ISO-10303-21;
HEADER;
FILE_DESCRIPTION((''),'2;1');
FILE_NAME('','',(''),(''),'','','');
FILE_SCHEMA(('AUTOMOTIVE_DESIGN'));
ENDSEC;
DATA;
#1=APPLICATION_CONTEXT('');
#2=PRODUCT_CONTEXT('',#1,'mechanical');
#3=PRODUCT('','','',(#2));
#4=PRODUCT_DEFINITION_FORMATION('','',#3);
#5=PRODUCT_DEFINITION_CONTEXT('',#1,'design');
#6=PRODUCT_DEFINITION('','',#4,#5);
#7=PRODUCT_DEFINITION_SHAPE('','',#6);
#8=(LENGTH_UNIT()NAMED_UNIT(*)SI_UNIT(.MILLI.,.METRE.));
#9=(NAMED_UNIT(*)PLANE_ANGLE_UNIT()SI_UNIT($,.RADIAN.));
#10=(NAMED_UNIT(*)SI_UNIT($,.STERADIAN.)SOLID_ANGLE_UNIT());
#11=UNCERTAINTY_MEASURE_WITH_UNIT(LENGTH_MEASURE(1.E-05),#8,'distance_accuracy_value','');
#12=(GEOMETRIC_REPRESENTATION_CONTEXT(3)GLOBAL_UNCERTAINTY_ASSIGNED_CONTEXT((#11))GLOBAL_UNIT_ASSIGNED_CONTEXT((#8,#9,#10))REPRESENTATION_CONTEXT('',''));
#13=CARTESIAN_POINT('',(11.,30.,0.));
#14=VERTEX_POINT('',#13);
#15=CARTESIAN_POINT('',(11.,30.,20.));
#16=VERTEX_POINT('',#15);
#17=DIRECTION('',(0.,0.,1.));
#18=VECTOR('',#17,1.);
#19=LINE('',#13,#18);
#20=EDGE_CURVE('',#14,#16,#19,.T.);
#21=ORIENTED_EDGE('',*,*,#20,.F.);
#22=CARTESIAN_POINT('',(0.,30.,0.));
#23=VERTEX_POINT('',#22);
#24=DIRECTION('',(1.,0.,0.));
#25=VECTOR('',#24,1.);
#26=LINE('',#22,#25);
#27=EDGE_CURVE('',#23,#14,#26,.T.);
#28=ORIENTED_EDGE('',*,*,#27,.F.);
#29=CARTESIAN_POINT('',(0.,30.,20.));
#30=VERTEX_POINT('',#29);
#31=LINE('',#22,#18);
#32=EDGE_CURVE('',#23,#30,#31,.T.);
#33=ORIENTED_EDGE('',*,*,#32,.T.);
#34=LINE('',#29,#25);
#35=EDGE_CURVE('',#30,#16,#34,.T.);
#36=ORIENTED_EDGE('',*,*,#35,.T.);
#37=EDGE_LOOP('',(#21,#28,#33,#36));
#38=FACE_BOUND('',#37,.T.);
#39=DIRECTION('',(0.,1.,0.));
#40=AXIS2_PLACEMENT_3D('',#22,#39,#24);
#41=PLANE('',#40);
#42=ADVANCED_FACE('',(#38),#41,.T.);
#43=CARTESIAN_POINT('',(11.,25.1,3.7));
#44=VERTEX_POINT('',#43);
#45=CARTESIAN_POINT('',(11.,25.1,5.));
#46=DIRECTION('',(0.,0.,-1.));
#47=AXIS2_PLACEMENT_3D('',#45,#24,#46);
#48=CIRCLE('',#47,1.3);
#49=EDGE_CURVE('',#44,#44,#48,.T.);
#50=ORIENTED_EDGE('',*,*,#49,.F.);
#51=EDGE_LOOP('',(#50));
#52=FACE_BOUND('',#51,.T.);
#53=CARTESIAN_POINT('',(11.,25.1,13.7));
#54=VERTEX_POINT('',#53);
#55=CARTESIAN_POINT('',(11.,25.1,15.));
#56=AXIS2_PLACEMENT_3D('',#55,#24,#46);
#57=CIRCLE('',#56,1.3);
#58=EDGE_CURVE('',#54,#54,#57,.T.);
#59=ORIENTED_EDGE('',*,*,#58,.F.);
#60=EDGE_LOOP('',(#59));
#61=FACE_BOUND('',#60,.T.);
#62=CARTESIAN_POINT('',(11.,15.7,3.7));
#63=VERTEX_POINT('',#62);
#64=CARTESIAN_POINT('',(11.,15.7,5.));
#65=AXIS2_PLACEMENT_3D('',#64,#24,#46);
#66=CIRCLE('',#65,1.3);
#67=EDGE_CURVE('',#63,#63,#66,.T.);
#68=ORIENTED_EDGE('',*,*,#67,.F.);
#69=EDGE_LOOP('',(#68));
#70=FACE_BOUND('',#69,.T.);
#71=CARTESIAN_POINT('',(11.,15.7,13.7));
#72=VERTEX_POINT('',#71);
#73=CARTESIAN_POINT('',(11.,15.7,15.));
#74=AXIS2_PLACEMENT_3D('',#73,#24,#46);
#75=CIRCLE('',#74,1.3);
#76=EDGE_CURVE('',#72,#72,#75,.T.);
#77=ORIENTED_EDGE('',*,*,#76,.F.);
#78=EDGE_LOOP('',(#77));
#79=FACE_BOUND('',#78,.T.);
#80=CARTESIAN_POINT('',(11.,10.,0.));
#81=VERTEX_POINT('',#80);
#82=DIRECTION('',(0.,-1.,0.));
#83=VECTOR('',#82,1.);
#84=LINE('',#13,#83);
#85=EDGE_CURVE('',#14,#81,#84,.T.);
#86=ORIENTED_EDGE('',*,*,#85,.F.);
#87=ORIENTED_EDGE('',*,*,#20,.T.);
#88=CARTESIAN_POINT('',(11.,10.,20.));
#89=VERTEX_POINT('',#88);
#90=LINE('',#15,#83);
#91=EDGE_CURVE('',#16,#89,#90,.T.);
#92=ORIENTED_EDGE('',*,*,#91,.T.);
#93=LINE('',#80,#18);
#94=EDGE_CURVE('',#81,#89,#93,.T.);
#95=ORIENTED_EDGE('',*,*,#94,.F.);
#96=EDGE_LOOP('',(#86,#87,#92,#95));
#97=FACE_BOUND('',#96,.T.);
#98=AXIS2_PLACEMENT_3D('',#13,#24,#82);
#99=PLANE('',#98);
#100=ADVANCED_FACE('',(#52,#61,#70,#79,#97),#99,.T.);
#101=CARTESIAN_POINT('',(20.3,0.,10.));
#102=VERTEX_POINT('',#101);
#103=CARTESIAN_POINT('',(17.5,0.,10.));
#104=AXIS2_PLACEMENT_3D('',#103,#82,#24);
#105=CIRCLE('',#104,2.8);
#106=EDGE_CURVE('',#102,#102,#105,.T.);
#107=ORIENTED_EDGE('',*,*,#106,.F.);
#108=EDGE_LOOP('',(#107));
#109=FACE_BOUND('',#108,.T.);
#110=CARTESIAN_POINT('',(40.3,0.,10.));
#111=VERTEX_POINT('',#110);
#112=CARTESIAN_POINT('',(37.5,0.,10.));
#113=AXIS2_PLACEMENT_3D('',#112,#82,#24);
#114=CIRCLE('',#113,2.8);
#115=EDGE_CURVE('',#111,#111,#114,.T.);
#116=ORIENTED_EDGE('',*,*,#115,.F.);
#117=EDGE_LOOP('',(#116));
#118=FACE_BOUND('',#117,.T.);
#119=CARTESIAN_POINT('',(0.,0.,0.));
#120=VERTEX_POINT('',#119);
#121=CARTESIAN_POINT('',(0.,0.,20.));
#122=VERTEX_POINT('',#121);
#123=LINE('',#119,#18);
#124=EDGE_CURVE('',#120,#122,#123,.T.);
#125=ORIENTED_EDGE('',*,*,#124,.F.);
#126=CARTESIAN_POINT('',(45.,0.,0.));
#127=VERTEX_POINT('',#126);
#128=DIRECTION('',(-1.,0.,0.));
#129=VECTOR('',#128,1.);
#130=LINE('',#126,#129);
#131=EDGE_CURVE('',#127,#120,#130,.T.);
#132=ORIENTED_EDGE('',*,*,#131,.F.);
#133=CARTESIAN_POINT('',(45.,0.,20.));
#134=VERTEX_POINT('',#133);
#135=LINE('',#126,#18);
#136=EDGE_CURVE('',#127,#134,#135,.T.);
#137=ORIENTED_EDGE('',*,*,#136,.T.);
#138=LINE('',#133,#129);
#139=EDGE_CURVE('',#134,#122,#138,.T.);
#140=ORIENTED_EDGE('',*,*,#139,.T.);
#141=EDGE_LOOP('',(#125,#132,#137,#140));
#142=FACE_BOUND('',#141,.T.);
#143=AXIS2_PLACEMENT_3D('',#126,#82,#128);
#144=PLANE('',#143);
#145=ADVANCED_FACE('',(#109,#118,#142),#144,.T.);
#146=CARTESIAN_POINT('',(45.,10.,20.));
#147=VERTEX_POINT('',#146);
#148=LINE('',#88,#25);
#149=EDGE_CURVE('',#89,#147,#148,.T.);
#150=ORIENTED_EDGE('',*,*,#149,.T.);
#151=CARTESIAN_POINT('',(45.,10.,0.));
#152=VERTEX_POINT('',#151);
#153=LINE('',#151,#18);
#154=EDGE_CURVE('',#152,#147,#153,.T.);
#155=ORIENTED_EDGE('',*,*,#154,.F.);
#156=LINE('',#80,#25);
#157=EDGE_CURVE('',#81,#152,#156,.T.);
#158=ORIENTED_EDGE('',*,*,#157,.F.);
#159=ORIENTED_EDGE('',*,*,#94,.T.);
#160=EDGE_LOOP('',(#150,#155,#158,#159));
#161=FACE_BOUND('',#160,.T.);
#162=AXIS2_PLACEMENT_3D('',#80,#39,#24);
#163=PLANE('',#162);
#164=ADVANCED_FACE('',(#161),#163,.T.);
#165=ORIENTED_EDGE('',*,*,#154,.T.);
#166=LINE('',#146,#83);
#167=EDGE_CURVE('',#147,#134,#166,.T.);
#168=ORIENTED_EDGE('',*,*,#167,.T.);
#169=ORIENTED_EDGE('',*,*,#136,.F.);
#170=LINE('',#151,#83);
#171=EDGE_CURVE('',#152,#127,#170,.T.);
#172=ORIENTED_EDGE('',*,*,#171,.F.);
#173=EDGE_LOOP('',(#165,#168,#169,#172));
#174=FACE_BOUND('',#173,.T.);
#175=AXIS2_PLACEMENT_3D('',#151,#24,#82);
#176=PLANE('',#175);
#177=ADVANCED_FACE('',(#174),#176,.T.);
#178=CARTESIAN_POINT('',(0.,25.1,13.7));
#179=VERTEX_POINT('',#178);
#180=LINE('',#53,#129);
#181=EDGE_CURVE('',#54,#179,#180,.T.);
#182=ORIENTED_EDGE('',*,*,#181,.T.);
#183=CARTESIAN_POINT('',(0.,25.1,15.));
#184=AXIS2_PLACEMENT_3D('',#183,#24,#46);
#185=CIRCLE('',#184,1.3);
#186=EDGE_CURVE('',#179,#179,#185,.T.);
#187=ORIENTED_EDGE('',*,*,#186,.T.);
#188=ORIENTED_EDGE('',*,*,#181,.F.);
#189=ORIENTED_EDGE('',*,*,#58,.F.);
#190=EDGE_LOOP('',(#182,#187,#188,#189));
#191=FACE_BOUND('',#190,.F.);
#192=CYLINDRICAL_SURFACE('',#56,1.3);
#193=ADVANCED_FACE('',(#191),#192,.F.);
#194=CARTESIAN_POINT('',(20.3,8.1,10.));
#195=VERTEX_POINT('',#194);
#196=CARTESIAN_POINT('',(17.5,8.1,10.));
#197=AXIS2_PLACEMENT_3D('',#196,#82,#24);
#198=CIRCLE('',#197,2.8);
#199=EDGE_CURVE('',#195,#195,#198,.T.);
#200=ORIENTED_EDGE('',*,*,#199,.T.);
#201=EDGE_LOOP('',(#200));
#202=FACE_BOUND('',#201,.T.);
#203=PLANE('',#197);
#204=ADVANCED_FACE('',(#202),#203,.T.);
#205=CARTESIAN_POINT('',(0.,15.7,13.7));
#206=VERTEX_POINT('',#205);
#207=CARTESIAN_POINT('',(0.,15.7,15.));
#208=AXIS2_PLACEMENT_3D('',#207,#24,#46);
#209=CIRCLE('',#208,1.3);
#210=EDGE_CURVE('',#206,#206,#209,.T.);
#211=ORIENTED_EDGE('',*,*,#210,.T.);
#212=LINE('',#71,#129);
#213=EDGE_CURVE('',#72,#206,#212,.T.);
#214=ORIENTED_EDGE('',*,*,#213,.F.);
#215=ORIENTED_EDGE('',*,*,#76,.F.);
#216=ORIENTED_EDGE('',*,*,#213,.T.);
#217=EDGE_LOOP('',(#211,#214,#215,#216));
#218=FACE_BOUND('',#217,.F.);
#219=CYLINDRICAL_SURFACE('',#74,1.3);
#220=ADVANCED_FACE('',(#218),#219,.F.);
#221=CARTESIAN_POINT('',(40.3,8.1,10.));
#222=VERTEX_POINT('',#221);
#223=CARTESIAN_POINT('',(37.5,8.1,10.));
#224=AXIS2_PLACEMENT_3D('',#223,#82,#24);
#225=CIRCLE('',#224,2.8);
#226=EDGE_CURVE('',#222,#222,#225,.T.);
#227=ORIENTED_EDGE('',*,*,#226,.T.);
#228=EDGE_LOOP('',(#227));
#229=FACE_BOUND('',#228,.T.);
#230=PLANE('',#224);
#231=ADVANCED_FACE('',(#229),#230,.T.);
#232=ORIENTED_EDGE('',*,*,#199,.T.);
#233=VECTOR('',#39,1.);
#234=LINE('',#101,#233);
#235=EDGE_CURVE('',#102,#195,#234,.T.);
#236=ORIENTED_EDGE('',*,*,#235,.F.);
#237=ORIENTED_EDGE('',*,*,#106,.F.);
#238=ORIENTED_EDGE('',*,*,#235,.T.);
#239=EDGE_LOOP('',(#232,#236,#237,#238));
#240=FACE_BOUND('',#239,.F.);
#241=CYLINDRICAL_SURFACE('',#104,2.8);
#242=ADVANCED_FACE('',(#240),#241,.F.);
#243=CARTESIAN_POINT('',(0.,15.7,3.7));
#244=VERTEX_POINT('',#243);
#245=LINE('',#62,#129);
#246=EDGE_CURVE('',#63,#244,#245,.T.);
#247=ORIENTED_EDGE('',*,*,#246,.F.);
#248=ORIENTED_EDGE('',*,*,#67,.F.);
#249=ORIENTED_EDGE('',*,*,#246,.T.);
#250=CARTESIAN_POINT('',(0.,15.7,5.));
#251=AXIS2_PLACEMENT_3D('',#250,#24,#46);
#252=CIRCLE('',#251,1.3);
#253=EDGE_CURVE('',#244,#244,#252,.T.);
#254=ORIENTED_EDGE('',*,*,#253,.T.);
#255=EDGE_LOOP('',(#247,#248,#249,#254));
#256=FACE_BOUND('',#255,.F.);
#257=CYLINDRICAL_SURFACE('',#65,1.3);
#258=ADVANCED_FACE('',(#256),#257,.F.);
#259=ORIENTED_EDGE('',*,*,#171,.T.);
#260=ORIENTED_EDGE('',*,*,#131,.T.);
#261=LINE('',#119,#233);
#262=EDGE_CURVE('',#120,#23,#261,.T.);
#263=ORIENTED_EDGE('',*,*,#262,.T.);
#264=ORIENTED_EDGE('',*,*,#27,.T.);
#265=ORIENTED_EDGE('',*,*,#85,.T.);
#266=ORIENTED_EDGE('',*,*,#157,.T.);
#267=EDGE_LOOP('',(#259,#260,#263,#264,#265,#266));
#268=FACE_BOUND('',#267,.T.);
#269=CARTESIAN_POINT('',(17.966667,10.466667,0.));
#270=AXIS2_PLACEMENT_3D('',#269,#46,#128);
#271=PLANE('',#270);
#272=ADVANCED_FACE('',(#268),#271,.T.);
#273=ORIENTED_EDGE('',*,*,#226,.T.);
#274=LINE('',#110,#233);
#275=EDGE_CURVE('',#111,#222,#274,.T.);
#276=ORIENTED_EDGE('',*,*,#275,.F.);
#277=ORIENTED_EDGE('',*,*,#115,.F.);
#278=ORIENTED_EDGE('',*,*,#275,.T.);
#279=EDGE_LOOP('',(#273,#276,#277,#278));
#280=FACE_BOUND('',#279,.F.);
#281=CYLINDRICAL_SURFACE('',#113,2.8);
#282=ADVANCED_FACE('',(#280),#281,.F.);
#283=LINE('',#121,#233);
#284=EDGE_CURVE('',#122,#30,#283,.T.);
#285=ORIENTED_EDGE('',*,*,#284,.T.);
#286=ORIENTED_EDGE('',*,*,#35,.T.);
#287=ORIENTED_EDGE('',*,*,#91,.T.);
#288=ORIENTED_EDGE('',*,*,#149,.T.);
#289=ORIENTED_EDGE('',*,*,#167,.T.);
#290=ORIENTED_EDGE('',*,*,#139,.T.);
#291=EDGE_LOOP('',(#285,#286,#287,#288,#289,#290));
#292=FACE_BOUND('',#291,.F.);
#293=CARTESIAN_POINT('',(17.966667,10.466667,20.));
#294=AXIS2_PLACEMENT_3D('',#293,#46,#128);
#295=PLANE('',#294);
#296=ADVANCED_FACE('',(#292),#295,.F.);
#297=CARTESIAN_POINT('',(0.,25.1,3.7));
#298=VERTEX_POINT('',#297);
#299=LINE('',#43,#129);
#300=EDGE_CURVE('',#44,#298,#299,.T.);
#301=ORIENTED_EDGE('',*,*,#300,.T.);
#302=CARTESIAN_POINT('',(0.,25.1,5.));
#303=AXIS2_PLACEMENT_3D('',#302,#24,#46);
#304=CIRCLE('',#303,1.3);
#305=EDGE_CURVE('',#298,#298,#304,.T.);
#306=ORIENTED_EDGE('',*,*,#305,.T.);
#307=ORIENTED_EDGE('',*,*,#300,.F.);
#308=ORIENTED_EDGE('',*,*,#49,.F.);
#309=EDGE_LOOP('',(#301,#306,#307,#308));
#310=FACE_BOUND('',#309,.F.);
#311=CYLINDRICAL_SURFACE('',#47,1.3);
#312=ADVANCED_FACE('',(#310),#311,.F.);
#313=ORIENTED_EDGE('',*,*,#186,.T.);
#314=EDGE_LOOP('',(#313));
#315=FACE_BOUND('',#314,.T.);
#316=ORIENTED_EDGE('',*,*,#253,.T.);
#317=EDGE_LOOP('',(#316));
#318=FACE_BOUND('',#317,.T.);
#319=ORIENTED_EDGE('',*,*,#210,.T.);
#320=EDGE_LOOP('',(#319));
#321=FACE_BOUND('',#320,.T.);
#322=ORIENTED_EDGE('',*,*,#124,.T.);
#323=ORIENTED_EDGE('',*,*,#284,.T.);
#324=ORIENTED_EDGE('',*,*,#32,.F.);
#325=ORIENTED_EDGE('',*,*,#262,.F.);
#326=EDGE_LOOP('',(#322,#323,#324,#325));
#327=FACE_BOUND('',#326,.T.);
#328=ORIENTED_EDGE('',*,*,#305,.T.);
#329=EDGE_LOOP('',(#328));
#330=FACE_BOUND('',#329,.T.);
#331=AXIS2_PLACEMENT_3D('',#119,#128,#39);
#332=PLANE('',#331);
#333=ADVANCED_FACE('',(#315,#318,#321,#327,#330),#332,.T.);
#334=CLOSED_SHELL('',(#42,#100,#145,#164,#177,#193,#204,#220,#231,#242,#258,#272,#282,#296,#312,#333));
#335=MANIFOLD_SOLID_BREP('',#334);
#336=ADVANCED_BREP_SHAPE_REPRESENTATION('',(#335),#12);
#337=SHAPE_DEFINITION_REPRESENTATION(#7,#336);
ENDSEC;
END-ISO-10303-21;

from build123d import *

# Parameters (mm, degrees)
BOSS_EXTRU_1_DEPTH      = 20
ESQUISSE2_R             = 2.8
ENL_V_MAT_EXTRU_1_DEPTH = 8.1
ENL_V_MAT_EXTRU_2_REACH = 13
ESQUISSE3_R             = 1.3


with BuildPart() as part:
    # Esquisse1 → Boss.-Extru.1 (new body)
    with BuildSketch(Plane.XY):
        Polygon((0, 0), (0, 30), (11, 30), (11, 10), (45, 10), (45, 0), align=None)
    extrude(amount=BOSS_EXTRU_1_DEPTH)

    # Esquisse2 → Enlèv. mat.-Extru.1 (cut)
    with BuildSketch(Plane.XZ):
        with Locations((17.5, 10)):
            Circle(ESQUISSE2_R)
        with Locations((37.5, 10)):
            Circle(ESQUISSE2_R)
    extrude(amount=-ENL_V_MAT_EXTRU_1_DEPTH, mode=Mode.SUBTRACT)

    # Esquisse3 → Enlèv. mat.-Extru.2 (cut, up to next)
    with BuildSketch(Plane(origin=(11, 0, 0), x_dir=(0, 0, -1), z_dir=(1, 0, 0)), mode=Mode.PRIVATE) as enl_v_mat_extru_2_sk1:
        with Locations((-15, 25.1)):
            Circle(ESQUISSE3_R)
    enl_v_mat_extru_2_tool1 = extrude(enl_v_mat_extru_2_sk1.sketch, amount=-ENL_V_MAT_EXTRU_2_REACH, mode=Mode.PRIVATE) & part.part
    add(enl_v_mat_extru_2_tool1.solids().sort_by_distance((11, 25.1, 15))[0], mode=Mode.SUBTRACT)
    # Esquisse3 → Enlèv. mat.-Extru.2 (cut, up to next)
    with BuildSketch(Plane(origin=(11, 0, 0), x_dir=(0, 0, -1), z_dir=(1, 0, 0)), mode=Mode.PRIVATE) as enl_v_mat_extru_2_sk2:
        with Locations((-5, 25.1)):
            Circle(ESQUISSE3_R)
    enl_v_mat_extru_2_tool2 = extrude(enl_v_mat_extru_2_sk2.sketch, amount=-ENL_V_MAT_EXTRU_2_REACH, mode=Mode.PRIVATE) & part.part
    add(enl_v_mat_extru_2_tool2.solids().sort_by_distance((11, 25.1, 5))[0], mode=Mode.SUBTRACT)
    # Esquisse3 → Enlèv. mat.-Extru.2 (cut, up to next)
    with BuildSketch(Plane(origin=(11, 0, 0), x_dir=(0, 0, -1), z_dir=(1, 0, 0)), mode=Mode.PRIVATE) as enl_v_mat_extru_2_sk3:
        with Locations((-5, 15.7)):
            Circle(ESQUISSE3_R)
    enl_v_mat_extru_2_tool3 = extrude(enl_v_mat_extru_2_sk3.sketch, amount=-ENL_V_MAT_EXTRU_2_REACH, mode=Mode.PRIVATE) & part.part
    add(enl_v_mat_extru_2_tool3.solids().sort_by_distance((11, 15.7, 5))[0], mode=Mode.SUBTRACT)
    # Esquisse3 → Enlèv. mat.-Extru.2 (cut, up to next)
    with BuildSketch(Plane(origin=(11, 0, 0), x_dir=(0, 0, -1), z_dir=(1, 0, 0)), mode=Mode.PRIVATE) as enl_v_mat_extru_2_sk4:
        with Locations((-15, 15.7)):
            Circle(ESQUISSE3_R)
    enl_v_mat_extru_2_tool4 = extrude(enl_v_mat_extru_2_sk4.sketch, amount=-ENL_V_MAT_EXTRU_2_REACH, mode=Mode.PRIVATE) & part.part
    add(enl_v_mat_extru_2_tool4.solids().sort_by_distance((11, 15.7, 15))[0], mode=Mode.SUBTRACT)


solid = part.part
